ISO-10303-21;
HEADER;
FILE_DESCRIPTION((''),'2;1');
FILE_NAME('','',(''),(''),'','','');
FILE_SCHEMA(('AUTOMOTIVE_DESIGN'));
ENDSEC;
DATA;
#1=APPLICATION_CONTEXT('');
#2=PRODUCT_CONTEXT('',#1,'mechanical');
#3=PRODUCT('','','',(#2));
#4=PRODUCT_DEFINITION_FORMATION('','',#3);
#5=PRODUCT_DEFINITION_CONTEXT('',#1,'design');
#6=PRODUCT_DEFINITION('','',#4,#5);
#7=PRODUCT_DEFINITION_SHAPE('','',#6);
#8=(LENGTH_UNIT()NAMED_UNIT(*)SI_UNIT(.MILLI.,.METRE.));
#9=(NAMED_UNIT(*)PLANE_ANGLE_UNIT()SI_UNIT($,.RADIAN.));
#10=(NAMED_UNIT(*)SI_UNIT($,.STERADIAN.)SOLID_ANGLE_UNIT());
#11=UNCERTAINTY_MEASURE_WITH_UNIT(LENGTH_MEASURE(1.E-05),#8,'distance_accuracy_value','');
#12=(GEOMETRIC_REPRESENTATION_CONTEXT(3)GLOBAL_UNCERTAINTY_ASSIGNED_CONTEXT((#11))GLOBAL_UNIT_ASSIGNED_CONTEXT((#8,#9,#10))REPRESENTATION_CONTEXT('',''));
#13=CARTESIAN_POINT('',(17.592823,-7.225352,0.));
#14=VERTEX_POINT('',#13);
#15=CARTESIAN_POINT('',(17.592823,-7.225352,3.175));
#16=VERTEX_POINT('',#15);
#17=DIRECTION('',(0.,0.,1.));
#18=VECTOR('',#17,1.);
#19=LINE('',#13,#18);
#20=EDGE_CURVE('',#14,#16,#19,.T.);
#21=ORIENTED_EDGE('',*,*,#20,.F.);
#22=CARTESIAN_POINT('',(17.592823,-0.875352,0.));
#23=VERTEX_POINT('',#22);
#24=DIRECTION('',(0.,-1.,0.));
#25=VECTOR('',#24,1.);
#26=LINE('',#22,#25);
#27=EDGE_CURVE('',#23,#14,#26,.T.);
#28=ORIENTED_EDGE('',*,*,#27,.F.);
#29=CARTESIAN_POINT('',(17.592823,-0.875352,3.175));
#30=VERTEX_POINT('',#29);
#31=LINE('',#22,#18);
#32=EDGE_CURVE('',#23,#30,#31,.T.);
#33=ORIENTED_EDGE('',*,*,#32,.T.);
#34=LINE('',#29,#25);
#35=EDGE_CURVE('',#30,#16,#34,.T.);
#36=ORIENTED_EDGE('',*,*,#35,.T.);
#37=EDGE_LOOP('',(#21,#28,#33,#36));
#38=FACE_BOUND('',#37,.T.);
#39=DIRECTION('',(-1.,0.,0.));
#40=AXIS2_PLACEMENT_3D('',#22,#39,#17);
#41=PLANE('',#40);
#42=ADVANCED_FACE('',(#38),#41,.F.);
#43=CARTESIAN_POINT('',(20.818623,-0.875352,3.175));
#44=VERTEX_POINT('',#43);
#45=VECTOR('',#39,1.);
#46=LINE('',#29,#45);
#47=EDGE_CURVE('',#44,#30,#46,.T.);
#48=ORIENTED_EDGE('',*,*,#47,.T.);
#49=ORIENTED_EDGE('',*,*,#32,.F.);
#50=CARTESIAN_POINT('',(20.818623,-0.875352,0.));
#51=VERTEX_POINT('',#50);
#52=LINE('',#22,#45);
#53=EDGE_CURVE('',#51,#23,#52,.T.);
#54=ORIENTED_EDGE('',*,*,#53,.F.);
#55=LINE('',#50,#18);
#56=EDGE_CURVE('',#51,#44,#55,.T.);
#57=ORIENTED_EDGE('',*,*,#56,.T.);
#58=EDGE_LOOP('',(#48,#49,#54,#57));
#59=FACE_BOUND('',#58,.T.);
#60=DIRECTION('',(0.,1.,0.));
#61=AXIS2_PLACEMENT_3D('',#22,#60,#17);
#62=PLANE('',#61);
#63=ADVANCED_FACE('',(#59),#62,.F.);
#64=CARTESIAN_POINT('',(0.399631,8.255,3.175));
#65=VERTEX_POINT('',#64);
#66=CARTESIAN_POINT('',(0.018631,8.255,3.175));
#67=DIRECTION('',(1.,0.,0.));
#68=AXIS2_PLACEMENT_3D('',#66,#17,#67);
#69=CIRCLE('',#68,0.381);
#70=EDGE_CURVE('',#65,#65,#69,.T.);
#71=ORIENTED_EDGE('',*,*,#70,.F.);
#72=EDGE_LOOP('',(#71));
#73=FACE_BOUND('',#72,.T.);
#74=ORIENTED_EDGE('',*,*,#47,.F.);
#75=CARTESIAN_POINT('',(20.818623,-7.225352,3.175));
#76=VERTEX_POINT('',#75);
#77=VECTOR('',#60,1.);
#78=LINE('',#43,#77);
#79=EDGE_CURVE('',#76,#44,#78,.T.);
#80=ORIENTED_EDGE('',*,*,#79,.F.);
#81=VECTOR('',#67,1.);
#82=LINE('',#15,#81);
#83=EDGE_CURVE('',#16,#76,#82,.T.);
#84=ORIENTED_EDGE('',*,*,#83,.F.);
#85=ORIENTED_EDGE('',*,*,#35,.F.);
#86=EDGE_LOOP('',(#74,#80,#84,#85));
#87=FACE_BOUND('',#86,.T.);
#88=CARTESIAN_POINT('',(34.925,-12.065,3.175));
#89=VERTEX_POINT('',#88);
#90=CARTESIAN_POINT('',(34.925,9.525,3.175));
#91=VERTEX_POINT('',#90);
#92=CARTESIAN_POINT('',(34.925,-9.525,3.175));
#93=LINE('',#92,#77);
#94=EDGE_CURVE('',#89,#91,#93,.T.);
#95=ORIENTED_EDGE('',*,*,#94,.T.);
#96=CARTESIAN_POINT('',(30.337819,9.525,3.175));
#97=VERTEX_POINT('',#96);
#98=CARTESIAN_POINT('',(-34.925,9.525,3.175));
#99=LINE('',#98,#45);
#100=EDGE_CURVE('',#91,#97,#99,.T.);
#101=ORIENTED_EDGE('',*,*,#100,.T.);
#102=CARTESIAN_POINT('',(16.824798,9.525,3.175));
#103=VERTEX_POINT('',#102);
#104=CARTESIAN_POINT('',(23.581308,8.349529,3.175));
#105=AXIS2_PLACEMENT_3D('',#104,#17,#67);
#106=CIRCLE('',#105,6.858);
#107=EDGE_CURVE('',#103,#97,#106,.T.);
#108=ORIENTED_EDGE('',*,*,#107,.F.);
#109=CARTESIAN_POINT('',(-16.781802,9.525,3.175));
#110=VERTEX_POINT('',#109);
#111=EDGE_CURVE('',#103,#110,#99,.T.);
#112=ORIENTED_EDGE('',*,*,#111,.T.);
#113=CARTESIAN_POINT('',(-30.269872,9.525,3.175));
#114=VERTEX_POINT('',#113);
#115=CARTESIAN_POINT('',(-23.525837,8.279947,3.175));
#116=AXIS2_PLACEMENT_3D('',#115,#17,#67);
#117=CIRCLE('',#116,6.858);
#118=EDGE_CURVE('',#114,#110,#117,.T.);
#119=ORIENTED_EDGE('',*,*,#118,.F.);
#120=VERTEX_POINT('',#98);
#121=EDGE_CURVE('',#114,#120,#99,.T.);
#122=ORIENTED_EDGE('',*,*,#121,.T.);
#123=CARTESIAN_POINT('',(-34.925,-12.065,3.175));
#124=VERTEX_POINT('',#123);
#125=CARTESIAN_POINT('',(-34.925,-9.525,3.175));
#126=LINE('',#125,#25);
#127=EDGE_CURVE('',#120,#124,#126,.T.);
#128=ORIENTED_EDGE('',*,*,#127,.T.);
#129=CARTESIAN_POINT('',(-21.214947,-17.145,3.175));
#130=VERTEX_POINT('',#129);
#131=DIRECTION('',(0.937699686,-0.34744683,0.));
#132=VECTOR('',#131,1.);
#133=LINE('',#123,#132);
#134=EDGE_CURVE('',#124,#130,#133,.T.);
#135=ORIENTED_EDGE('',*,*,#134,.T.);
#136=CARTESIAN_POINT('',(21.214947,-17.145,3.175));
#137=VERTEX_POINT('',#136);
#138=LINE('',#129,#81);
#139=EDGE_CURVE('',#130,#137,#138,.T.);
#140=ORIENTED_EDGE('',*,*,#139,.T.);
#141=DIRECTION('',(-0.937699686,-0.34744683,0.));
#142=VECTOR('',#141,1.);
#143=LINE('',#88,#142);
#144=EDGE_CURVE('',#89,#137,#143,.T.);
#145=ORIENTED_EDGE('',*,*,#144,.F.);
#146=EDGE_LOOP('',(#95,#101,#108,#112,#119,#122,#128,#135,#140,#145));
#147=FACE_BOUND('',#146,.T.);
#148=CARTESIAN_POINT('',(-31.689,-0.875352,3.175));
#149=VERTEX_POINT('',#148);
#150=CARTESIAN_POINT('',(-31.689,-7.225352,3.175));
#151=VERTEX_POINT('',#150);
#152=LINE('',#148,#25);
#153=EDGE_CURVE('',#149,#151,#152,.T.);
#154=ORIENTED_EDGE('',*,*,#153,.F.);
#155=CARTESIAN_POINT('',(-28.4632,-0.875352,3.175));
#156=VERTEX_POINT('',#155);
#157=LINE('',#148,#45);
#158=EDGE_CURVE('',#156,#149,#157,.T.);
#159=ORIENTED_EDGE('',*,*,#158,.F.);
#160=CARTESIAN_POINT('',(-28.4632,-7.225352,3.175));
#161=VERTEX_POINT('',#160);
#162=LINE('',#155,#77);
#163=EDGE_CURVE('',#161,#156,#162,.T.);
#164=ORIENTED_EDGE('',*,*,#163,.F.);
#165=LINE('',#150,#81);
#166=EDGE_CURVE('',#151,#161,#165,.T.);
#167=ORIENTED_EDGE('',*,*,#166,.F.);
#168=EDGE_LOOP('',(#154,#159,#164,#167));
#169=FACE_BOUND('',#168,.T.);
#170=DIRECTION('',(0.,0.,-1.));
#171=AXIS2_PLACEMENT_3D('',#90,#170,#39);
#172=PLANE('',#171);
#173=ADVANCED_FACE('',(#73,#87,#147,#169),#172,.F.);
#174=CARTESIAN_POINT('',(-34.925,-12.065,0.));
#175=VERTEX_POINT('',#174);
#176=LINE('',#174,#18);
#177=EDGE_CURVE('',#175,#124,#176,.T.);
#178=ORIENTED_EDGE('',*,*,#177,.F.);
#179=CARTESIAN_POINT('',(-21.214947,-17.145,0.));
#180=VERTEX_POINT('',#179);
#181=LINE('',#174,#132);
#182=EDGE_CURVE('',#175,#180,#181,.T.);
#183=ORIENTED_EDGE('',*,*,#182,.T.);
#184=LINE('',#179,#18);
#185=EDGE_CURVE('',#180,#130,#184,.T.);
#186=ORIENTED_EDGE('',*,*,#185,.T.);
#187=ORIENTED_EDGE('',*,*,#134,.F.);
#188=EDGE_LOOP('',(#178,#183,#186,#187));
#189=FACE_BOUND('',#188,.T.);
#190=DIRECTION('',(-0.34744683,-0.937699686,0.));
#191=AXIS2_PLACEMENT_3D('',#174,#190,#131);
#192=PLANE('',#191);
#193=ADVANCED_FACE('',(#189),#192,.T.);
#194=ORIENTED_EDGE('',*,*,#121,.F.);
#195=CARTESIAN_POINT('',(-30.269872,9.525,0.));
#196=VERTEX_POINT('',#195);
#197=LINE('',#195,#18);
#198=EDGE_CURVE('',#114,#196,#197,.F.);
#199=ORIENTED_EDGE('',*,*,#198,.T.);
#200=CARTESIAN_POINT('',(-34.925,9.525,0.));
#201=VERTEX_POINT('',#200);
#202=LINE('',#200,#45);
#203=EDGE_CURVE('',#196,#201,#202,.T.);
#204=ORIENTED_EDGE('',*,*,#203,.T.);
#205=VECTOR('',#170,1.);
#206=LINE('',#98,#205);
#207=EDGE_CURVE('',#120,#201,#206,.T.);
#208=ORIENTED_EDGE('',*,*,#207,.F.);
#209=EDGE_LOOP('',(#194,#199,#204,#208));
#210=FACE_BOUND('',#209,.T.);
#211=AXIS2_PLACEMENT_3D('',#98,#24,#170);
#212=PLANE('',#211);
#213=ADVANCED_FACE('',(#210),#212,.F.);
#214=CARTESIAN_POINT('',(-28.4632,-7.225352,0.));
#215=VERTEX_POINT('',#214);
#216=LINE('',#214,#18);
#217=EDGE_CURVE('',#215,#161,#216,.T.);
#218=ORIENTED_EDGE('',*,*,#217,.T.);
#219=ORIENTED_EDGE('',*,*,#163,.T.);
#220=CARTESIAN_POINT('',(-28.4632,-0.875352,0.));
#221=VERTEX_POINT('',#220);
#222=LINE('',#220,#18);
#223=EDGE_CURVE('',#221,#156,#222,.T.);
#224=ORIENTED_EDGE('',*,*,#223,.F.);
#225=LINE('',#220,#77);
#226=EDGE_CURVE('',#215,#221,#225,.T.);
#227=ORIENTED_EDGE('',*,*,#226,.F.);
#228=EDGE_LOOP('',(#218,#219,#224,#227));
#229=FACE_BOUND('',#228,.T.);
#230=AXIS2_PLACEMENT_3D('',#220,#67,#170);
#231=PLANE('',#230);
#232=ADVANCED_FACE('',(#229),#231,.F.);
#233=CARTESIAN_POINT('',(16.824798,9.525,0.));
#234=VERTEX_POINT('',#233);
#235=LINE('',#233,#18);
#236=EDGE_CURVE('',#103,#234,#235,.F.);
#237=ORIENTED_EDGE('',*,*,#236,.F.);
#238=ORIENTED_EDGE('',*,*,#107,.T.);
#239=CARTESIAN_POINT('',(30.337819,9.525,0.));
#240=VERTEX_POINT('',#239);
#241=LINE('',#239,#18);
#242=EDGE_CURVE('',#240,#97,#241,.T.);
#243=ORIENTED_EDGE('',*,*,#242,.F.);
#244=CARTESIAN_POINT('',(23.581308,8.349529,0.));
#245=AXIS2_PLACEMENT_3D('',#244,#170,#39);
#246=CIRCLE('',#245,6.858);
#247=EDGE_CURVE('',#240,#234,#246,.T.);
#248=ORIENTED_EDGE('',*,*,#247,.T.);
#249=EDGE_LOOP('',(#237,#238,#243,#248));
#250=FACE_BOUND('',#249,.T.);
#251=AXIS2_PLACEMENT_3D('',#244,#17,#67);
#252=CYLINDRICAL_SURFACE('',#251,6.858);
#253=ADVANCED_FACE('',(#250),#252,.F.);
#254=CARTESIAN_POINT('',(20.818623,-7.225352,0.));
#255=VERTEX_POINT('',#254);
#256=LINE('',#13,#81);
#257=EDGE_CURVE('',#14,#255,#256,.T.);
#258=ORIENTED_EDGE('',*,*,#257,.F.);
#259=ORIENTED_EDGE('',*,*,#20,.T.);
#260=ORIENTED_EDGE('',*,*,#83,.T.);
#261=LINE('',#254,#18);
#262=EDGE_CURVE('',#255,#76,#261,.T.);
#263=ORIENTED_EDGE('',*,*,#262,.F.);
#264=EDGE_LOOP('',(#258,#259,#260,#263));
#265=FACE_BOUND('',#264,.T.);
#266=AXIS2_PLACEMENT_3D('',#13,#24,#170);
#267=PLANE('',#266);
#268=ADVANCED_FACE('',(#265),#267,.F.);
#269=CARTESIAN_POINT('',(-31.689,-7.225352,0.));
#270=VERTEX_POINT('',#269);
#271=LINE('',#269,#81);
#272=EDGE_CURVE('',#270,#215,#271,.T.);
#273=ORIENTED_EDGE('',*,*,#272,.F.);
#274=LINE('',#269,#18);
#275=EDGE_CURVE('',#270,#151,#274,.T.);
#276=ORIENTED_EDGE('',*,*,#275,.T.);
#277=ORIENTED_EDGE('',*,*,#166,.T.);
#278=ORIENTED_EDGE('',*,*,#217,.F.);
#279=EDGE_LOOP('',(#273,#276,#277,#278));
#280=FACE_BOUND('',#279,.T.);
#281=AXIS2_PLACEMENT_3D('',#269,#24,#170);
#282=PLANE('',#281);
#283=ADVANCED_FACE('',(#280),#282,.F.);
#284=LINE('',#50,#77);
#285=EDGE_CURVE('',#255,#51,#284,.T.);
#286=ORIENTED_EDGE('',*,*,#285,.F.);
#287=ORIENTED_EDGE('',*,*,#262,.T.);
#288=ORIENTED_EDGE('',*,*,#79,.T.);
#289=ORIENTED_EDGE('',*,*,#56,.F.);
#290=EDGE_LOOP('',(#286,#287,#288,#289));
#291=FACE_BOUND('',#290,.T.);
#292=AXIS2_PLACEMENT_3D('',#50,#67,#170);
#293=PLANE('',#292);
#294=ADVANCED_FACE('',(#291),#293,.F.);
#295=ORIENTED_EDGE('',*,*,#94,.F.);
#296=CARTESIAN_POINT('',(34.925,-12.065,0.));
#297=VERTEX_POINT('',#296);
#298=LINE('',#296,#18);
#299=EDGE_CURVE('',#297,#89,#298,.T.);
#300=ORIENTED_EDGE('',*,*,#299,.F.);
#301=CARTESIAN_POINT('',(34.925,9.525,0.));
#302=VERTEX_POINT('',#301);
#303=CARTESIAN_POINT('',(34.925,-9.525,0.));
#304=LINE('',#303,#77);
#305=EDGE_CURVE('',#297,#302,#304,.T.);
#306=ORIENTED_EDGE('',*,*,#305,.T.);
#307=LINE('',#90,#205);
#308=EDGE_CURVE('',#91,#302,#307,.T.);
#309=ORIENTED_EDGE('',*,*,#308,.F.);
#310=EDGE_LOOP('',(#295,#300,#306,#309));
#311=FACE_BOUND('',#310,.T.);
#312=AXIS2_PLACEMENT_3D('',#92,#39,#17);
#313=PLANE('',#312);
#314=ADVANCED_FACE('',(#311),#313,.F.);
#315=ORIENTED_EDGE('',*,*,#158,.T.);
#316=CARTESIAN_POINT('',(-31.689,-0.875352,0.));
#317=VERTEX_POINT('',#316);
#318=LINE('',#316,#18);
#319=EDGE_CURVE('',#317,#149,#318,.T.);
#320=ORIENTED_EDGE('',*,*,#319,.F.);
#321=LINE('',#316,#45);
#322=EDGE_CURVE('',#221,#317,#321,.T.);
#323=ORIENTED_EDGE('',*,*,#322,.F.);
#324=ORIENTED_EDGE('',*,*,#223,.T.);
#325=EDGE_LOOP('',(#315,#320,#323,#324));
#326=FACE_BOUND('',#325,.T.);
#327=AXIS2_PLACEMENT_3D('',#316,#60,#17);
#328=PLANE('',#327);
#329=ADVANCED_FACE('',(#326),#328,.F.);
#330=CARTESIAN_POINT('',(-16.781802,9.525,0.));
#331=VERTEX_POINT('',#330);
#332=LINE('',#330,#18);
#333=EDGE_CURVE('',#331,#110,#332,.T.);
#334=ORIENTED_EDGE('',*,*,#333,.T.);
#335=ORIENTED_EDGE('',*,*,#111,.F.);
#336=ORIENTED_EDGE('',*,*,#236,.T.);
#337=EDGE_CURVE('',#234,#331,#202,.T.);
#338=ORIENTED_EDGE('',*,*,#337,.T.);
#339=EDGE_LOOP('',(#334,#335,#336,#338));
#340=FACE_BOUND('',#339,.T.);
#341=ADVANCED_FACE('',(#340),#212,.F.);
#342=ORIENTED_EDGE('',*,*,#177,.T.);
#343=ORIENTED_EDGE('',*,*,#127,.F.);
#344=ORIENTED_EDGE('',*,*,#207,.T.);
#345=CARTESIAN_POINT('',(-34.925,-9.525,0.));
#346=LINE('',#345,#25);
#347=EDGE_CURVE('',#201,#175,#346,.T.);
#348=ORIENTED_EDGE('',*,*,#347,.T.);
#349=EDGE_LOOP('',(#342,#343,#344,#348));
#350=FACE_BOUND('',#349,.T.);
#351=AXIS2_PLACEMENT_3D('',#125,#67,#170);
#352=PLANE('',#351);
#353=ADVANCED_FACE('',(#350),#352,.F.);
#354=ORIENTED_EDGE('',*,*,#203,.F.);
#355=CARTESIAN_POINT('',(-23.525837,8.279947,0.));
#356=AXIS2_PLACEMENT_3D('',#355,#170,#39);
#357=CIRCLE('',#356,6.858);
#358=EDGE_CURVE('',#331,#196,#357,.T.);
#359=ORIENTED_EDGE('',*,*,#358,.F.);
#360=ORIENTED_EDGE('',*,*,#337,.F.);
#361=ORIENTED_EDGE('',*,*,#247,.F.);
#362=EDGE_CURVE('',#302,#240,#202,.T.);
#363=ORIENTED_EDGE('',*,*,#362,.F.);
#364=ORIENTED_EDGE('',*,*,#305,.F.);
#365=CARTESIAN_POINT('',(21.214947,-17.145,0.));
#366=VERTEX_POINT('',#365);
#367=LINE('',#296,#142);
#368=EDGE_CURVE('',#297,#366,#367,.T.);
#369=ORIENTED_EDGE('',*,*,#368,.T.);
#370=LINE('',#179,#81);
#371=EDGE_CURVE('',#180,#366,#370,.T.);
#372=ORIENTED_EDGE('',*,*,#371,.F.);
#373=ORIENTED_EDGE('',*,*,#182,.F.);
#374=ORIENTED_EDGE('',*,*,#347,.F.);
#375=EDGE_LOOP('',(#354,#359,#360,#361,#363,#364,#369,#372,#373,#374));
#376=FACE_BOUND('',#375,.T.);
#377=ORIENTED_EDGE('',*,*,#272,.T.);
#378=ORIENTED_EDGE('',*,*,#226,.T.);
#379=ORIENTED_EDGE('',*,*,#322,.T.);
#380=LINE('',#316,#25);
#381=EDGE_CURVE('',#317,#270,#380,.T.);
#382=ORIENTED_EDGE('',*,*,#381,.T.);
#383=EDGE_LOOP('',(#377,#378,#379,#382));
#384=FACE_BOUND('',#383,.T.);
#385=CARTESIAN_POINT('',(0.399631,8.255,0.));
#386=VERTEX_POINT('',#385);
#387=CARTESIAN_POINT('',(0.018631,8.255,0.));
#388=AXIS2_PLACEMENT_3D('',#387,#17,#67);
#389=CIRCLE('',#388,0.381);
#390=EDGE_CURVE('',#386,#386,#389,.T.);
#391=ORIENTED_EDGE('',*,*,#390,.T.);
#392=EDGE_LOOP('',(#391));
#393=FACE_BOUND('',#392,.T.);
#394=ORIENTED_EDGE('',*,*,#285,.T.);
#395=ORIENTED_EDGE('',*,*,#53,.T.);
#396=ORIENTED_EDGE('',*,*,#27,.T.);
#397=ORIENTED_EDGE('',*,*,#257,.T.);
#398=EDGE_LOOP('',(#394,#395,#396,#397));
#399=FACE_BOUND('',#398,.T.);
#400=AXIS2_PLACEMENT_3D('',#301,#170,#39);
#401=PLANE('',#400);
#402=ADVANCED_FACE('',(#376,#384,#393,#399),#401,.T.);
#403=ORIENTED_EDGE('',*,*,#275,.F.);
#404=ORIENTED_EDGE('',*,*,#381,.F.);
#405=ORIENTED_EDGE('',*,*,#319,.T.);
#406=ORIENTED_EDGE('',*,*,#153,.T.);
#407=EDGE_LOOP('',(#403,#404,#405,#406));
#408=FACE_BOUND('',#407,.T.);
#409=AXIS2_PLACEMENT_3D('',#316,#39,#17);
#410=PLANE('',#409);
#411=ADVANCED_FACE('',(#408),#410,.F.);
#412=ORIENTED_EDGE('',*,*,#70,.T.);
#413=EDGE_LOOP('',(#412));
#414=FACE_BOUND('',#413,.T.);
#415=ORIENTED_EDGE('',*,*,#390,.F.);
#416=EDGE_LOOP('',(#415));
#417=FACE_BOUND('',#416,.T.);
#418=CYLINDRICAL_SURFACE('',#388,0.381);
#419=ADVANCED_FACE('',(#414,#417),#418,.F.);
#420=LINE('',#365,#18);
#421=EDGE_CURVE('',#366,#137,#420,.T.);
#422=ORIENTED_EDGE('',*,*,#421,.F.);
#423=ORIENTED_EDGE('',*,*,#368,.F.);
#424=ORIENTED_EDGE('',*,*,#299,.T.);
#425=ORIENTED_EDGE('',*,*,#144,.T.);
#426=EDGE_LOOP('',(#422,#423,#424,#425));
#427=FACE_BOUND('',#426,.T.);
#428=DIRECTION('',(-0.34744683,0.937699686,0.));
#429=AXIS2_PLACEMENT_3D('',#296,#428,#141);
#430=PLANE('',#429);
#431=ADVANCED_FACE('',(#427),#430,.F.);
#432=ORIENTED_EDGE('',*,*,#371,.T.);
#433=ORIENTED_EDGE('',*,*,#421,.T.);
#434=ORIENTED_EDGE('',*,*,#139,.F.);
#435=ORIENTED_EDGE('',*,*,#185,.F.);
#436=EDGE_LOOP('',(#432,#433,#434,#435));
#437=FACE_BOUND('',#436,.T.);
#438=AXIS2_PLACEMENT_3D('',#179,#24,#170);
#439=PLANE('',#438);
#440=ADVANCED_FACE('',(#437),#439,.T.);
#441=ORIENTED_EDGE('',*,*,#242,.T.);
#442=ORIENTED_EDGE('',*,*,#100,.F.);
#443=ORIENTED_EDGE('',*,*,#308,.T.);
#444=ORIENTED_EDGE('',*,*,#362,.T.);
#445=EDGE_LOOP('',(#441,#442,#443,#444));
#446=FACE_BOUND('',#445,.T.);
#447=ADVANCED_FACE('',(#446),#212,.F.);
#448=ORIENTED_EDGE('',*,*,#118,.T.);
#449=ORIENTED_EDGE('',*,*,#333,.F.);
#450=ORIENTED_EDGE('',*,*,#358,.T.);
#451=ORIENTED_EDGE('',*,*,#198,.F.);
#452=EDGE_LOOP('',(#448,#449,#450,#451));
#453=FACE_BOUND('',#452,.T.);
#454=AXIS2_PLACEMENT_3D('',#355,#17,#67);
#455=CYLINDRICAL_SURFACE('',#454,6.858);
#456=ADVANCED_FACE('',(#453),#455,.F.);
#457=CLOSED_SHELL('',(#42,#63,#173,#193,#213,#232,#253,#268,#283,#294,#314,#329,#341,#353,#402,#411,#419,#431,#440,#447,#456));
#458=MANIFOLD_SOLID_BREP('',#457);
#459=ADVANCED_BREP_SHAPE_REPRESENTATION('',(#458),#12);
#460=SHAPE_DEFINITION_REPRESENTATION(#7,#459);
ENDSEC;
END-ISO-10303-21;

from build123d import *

# Parameters (mm, degrees)
SKETCH1_W                        = 69.85
SKETCH1_H                        = 19.05
MAIN_BODY_DEPTH                  = 3.175
CHIN_FEATURE_DEPTH               = 3.175
SKETCH10_W                       = 3.2258
SKETCH10_H                       = 6.35
CUT_FOR_TABS_DEPTH               = 4.175
CUT_FOR_LIP_MOTOR_APERTURE_DEPTH = 4.175
SKETCH12_R                       = 0.381
CUT_EXTRUDE1_DEPTH               = 4.175


with BuildPart() as part:
    # Sketch1 → main body (new body)
    with BuildSketch(Plane.XY):
        Rectangle(SKETCH1_W, SKETCH1_H)
    extrude(amount=MAIN_BODY_DEPTH)

    # Sketch9 → chin feature (add)
    with BuildSketch(Plane.XY.offset(3.175)):
        Polygon((-34.925, -9.525), (-34.925, -12.065), (-21.214947133, -17.145), (0, -17.145), (0, -9.525), align=None)
    chin_feature = extrude(amount=-CHIN_FEATURE_DEPTH)

    # mirror of chin feature: chin feature across plane
    add(chin_feature.mirror(Plane(origin=(0, 0, 0), x_dir=(0, 0, 1), z_dir=(1, 0, 0))))

    # Sketch10 → cut for tabs (cut, through all)
    with BuildSketch(Plane.XY.offset(3.175)):
        with Locations((-30.076100278, -4.050352196)):
            Rectangle(SKETCH10_W, SKETCH10_H)
        with Locations((19.20572281, -4.050352196)):
            Rectangle(SKETCH10_W, SKETCH10_H)
    extrude(amount=-CUT_FOR_TABS_DEPTH, mode=Mode.SUBTRACT)

    # Sketch11 → cut for lip motor aperture (cut, through all)
    with BuildSketch(Plane.XY.offset(3.175)):
        with BuildLine():
            Line((-23.576637278, 18.516146957), (-26.370637278, 18.516146957))
            Line((-26.370637278, 18.516146957), (-26.370637278, 14.520081328))
            ThreePointArc((-26.370637278, 14.520081328), (-23.470211189, 1.422172556), (-20.782637278, 14.565407781))
            Line((-20.782637278, 14.565407781), (-20.782637278, 18.516146957))
            Line((-20.782637278, 18.516146957), (-23.576637278, 18.516146957))
        make_face()
        with BuildLine():
            Line((23.530508447, 18.585729376), (20.736508447, 18.585729376))
            Line((20.736508447, 18.585729376), (20.736508447, 14.589663746))
            ThreePointArc((20.736508447, 14.589663746), (23.636934536, 1.491754974), (26.324508447, 14.634990199))
            Line((26.324508447, 14.634990199), (26.324508447, 18.585729376))
            Line((26.324508447, 18.585729376), (23.530508447, 18.585729376))
        make_face()
    extrude(amount=-CUT_FOR_LIP_MOTOR_APERTURE_DEPTH, mode=Mode.SUBTRACT)

    # Sketch12 → Cut-Extrude1 (cut, through all)
    with BuildSketch(Plane.XY.offset(3.175)):
        with Locations((0.018631462, 8.255)):
            Circle(SKETCH12_R)
    extrude(amount=-CUT_EXTRUDE1_DEPTH, mode=Mode.SUBTRACT)


solid = part.part
